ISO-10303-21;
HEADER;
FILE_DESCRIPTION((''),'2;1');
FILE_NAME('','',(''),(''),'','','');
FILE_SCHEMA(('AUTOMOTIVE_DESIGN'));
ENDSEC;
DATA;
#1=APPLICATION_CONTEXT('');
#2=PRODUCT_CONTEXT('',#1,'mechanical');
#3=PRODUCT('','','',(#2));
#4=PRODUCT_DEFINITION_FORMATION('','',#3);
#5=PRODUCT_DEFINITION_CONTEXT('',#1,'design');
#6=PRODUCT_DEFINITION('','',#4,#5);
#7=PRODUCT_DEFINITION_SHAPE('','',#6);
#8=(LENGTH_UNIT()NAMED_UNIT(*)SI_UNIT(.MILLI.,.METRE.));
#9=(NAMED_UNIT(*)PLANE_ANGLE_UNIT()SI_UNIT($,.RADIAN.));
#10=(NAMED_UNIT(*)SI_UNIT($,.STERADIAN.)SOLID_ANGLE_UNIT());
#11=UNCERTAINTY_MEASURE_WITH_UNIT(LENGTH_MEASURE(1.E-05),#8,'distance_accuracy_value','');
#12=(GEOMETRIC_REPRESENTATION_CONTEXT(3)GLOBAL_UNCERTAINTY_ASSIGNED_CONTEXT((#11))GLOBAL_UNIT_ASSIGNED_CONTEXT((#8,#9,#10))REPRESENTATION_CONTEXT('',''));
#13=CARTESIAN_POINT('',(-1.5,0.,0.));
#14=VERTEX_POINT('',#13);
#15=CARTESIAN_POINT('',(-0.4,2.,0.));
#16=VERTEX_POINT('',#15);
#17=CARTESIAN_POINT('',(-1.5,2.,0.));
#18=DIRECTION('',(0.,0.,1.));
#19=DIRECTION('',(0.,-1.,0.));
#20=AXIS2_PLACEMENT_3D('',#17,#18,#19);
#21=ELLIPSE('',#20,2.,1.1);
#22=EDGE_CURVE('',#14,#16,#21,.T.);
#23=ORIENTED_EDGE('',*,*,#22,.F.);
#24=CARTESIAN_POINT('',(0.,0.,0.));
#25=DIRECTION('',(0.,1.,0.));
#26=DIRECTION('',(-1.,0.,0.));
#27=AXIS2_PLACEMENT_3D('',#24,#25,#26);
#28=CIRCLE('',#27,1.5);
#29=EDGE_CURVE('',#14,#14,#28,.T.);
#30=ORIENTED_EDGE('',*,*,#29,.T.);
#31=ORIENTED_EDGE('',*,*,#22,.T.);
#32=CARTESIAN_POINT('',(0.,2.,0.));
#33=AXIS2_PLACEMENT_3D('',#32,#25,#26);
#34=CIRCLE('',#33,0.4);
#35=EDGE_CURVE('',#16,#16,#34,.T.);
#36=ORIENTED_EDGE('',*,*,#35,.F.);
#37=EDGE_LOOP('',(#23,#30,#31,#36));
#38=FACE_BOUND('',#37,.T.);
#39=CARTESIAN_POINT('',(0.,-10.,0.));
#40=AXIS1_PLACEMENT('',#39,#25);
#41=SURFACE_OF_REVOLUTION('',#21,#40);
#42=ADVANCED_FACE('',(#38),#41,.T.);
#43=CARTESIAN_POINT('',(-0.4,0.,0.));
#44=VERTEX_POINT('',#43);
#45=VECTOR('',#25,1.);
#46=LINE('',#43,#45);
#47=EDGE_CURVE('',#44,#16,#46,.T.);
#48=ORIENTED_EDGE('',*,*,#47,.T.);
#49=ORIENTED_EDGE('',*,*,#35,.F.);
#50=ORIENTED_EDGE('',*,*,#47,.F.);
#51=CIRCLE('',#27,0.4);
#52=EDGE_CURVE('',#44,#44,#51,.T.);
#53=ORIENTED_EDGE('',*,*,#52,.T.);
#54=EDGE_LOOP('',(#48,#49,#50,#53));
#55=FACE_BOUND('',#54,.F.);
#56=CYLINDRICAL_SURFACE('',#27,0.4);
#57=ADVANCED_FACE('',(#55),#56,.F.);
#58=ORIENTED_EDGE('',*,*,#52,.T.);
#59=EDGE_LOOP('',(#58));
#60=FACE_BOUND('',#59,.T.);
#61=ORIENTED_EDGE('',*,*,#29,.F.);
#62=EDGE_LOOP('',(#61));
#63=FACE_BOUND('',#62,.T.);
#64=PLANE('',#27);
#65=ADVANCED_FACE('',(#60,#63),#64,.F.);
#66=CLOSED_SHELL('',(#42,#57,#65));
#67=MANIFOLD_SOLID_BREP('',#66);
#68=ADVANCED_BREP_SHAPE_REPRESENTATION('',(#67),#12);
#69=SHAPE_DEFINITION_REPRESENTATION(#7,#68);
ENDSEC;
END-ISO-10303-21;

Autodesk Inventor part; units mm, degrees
ref_plane "YZ Plane" through (0, 0, 0) normal (1, 0, 0) x (0, 1, 0)
ref_plane "XZ Plane" through (0, 0, 0) normal (0, 1, 0) x (-1, 0, 0)
ref_plane "XY Plane" through (0, 0, 0) normal (0, 0, 1) x (1, 0, 0)
sketch "Sketch1" plane through (0, 0, 0) normal (0, 0, 1) x (1, 0, 0)
  line L0 (-0.4, 0) -> (-0.4, 2)
  line L1 (-0.4, 0) -> (-1.5, 0)
  ellipse E0 centre (-1.5, 2) end of major axis (-1.5, 0) minor radius 1.1
  line L2 (0, -0.8) -> (0, 4.8) projected
  point P0 (0, 0)
  dimension "d0" = 1.5
  dimension "d1" = 0.4
  dimension "d2" = 2
revolve "Revolution1" add sketch "Sketch1" angle 360 about axis through (0, -10, 0) along (0, 1, 0) contours L1 E0 L0
properties part number "TorsOsc-202511-coupling-solder" material "Titanium"
